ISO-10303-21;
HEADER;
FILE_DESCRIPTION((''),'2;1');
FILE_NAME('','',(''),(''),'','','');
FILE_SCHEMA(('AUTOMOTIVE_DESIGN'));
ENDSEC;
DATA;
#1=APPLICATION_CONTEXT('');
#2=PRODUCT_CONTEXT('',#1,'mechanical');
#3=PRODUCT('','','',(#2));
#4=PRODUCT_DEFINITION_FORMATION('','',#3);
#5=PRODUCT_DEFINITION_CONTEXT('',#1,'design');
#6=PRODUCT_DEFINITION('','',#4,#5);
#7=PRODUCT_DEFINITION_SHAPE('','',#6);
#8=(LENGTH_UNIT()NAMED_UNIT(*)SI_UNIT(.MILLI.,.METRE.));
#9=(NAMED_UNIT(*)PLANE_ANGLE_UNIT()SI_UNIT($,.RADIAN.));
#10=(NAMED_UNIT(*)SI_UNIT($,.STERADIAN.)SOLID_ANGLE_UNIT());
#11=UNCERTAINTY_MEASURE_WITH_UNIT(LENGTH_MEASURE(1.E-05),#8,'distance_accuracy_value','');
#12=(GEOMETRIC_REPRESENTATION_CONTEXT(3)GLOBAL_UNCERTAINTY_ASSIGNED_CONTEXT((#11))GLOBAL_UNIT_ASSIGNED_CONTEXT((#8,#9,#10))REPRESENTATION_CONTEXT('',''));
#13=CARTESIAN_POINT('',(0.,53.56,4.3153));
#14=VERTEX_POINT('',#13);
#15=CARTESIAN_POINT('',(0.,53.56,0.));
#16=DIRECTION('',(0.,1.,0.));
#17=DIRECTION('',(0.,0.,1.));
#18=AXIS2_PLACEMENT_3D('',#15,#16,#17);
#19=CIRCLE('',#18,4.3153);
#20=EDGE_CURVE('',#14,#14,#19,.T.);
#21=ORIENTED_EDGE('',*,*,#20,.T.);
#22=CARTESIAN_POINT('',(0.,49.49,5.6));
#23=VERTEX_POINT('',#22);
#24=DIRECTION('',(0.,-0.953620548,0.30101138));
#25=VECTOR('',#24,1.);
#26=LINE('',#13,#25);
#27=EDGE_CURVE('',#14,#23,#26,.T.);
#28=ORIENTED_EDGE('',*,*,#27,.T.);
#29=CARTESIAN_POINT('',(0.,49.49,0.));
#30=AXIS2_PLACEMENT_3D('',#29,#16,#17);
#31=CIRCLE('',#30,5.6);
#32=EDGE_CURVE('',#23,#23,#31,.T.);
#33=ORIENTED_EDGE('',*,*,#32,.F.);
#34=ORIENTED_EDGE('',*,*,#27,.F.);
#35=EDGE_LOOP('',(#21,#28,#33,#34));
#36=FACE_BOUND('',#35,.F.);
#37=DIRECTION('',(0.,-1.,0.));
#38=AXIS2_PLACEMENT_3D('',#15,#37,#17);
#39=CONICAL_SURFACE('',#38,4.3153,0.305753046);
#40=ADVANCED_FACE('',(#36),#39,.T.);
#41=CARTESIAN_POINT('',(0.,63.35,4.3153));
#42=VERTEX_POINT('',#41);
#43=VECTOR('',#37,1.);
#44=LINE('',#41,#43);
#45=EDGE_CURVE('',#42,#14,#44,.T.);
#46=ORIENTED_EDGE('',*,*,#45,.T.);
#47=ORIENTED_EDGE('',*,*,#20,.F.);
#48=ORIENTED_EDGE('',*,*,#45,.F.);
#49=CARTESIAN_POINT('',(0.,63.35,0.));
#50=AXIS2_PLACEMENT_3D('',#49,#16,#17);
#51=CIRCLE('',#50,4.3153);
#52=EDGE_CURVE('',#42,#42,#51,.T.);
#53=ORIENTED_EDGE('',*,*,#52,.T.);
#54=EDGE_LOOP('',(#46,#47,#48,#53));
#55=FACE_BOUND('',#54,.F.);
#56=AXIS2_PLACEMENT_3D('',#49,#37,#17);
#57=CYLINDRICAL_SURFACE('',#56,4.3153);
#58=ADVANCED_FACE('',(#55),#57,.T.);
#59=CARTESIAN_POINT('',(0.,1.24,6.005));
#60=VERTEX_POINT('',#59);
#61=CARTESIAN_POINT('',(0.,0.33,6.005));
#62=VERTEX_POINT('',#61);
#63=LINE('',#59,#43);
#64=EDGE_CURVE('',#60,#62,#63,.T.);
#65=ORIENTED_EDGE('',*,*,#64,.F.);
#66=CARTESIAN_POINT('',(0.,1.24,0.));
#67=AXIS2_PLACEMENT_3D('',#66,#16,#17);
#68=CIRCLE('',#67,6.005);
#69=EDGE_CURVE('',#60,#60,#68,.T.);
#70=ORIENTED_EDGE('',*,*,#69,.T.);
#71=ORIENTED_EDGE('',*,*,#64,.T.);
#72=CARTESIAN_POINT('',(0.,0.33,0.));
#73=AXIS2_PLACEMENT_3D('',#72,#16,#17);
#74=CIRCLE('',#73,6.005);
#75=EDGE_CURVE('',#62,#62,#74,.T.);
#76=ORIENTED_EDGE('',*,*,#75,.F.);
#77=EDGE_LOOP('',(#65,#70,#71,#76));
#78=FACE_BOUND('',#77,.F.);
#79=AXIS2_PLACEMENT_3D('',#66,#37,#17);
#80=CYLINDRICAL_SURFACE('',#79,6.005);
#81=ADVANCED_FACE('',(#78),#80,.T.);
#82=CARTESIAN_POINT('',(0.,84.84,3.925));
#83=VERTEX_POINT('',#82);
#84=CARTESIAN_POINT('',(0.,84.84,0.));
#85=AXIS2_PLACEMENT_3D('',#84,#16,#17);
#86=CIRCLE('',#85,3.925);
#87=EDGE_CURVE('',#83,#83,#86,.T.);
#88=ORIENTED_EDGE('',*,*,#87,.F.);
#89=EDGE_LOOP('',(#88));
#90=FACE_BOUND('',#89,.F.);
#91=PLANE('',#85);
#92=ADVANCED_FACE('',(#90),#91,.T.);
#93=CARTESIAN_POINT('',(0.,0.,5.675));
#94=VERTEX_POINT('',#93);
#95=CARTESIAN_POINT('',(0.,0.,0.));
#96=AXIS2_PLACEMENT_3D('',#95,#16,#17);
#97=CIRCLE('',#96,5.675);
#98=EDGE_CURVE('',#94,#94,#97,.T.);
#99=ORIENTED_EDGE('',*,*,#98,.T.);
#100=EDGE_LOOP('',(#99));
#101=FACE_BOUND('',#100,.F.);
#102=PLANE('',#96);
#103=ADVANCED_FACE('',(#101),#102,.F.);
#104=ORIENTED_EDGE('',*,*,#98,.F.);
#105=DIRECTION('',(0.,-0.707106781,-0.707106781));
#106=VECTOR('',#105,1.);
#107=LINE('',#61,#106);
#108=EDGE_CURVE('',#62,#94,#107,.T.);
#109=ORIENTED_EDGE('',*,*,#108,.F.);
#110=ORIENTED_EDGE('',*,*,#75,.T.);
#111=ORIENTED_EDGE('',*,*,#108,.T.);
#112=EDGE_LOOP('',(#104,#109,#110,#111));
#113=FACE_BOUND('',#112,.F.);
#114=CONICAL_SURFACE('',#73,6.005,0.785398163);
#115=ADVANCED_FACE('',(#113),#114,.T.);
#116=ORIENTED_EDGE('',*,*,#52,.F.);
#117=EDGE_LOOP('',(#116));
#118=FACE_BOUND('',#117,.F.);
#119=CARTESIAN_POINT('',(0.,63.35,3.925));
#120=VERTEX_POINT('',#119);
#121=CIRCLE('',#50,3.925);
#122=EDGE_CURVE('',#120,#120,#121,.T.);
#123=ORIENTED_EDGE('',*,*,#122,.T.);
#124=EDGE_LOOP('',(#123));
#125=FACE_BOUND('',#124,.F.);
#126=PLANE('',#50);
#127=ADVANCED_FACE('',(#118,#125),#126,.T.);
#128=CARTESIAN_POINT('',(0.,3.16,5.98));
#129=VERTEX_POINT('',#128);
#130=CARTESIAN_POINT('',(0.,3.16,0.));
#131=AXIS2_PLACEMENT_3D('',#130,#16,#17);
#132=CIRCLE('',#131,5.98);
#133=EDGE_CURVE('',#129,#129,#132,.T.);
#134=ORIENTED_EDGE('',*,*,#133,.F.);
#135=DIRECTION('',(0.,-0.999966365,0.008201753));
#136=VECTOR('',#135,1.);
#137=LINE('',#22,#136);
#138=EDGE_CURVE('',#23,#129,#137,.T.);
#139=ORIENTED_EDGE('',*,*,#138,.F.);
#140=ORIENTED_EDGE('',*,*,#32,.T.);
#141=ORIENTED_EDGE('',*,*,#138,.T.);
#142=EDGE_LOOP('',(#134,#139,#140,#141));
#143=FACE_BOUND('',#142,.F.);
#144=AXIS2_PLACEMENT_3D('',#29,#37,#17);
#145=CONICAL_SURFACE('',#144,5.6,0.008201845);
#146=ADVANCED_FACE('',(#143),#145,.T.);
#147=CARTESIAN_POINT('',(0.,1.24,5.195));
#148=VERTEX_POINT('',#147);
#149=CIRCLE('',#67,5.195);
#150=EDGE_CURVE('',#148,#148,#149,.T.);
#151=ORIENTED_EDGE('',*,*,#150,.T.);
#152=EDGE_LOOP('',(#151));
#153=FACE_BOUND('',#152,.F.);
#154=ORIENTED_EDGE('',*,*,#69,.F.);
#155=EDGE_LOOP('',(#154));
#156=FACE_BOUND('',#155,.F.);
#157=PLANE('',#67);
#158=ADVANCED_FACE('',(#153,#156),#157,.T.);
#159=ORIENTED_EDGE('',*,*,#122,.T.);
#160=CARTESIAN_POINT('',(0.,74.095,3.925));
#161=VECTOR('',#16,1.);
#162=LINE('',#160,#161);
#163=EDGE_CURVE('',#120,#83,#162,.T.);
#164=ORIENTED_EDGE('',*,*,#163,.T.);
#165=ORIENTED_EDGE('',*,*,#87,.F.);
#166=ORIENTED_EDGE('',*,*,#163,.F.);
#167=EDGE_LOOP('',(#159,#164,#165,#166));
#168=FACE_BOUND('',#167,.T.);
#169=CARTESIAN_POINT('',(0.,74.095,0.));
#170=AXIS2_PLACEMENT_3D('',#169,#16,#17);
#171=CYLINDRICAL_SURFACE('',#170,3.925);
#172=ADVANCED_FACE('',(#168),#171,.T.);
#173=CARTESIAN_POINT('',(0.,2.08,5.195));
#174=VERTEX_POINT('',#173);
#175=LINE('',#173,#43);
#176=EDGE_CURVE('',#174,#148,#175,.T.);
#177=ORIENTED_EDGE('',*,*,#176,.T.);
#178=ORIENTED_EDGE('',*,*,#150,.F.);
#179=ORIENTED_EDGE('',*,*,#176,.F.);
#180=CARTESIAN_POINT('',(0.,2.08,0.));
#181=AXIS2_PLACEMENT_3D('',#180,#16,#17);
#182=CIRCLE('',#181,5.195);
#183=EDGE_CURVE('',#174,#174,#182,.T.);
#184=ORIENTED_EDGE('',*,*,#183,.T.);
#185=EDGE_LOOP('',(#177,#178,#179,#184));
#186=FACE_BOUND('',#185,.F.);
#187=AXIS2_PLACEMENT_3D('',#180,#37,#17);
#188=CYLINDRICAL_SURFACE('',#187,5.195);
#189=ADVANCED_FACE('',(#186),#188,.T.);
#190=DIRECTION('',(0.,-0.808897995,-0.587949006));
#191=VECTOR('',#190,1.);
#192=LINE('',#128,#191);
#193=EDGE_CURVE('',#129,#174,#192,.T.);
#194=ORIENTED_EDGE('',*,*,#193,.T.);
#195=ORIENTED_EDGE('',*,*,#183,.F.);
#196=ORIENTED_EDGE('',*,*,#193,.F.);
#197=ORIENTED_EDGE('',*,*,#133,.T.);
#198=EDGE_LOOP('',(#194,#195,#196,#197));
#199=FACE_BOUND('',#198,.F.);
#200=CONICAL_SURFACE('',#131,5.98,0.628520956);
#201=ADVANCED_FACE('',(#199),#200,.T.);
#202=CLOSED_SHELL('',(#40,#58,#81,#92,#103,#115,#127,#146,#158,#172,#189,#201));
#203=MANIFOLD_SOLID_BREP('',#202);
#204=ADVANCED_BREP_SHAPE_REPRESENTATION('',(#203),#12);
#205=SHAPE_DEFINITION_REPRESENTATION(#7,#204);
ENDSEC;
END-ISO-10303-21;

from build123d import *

# Parameters (mm, degrees)
F0_W = 21.49
F0_H = 3.925


with BuildPart() as f1:
    # F0 (on Right) → F1 (revolve)
    with BuildSketch(Plane.YZ):
        Polygon((0, 5.675), (0, 0), (0.33, 0), (0.33, 6.005), align=None)
        Polygon((0.33, 6.005), (0.33, 0), (1.24, 0), (2.08, 0), (2.08, 5.195), (1.24, 5.195), (1.24, 6.005), align=None)
        Polygon((2.08, 5.195), (2.08, 0), (3.16, 0), (3.16, 5.98), align=None)
        Polygon((3.16, 5.98), (3.16, 0), (49.49, 0), (49.49, 5.6), align=None)
        Polygon((49.49, 5.6), (49.49, 0), (53.56, 0), (63.35, 0), (63.35, 3.925), (63.35, 4.3153), (53.56, 4.3153), align=None)
        with Locations((74.095, 1.9625)):
            Rectangle(F0_W, F0_H)
    revolve(axis=Axis((0, 26.325, 0), (0, 1, 0)))


solid = f1.part
